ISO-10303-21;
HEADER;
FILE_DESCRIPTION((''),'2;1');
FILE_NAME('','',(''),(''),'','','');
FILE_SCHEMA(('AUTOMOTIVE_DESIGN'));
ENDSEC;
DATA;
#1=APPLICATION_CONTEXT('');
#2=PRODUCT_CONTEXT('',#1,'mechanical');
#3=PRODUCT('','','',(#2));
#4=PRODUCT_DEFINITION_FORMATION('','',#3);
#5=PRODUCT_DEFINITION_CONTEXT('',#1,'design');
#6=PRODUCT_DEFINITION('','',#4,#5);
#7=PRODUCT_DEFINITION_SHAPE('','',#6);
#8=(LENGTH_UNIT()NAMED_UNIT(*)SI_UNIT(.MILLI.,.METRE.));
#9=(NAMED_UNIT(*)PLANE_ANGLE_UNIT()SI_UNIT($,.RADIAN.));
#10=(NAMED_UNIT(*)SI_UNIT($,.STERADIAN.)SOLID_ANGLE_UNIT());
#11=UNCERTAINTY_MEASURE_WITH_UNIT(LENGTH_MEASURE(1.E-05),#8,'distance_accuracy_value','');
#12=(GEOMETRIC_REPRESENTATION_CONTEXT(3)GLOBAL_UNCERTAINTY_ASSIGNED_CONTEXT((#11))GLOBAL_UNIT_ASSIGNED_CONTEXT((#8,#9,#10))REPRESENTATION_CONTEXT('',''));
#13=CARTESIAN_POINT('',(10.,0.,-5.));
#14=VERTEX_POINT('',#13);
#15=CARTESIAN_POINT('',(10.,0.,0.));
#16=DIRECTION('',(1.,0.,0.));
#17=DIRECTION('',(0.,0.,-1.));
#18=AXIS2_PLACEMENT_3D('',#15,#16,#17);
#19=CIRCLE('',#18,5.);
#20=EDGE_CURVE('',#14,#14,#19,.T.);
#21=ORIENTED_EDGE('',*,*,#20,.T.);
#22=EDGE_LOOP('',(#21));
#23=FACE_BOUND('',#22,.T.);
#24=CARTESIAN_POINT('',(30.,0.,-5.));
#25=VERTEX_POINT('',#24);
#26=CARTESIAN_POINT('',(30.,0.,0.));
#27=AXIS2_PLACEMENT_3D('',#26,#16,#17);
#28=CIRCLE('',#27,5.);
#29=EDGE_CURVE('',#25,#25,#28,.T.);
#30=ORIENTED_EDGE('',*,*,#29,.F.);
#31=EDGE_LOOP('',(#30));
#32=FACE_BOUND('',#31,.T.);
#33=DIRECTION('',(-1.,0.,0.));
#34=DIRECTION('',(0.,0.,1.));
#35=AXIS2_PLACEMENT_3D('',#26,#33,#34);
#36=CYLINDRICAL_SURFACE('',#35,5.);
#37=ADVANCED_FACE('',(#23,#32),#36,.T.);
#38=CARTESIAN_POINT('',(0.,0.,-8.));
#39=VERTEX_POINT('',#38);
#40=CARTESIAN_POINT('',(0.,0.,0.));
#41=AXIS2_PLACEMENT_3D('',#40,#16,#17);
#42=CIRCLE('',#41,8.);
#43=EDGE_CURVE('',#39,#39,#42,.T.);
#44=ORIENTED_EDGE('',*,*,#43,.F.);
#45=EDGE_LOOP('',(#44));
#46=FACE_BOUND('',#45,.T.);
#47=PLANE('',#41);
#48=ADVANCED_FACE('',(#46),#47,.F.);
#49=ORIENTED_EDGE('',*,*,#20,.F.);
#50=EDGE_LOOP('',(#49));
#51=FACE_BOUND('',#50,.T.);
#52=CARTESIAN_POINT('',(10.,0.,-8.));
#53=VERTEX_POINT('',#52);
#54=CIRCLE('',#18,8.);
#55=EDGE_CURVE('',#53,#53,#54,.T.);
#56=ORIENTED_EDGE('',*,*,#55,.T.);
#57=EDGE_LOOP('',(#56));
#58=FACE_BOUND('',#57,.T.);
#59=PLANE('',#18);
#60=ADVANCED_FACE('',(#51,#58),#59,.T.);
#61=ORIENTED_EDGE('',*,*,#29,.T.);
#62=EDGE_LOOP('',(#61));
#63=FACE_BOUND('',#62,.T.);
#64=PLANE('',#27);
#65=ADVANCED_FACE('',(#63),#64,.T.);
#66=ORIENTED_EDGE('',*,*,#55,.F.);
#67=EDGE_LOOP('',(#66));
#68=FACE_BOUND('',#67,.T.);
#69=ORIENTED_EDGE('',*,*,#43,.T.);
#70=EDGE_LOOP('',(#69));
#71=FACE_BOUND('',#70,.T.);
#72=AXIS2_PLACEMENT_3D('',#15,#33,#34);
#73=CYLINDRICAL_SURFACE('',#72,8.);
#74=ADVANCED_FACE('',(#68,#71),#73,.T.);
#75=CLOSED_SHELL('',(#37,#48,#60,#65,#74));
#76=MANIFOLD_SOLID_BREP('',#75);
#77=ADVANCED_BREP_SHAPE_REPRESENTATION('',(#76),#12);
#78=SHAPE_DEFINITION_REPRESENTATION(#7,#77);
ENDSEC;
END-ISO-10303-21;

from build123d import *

# Parameters (mm, degrees)
SKETCH_1_R      = 8
EXTRUDE_1_DEPTH = 10
SKETCH_2_R      = 5
EXTRUDE_2_DEPTH = 20


with BuildPart() as part:
    # 草图1 → 凸台-拉伸1 (new body)
    with BuildSketch(Plane(origin=(0, 0, 0), x_dir=(0, 0, -1), z_dir=(1, 0, 0))):
        Circle(SKETCH_1_R)
    extrude(amount=EXTRUDE_1_DEPTH)

    # 草图2 → 凸台-拉伸2 (add)
    with BuildSketch(Plane(origin=(10, 0, 0), x_dir=(0, 0, -1), z_dir=(1, 0, 0))):
        Circle(SKETCH_2_R)
    extrude(amount=EXTRUDE_2_DEPTH)


solid = part.part
